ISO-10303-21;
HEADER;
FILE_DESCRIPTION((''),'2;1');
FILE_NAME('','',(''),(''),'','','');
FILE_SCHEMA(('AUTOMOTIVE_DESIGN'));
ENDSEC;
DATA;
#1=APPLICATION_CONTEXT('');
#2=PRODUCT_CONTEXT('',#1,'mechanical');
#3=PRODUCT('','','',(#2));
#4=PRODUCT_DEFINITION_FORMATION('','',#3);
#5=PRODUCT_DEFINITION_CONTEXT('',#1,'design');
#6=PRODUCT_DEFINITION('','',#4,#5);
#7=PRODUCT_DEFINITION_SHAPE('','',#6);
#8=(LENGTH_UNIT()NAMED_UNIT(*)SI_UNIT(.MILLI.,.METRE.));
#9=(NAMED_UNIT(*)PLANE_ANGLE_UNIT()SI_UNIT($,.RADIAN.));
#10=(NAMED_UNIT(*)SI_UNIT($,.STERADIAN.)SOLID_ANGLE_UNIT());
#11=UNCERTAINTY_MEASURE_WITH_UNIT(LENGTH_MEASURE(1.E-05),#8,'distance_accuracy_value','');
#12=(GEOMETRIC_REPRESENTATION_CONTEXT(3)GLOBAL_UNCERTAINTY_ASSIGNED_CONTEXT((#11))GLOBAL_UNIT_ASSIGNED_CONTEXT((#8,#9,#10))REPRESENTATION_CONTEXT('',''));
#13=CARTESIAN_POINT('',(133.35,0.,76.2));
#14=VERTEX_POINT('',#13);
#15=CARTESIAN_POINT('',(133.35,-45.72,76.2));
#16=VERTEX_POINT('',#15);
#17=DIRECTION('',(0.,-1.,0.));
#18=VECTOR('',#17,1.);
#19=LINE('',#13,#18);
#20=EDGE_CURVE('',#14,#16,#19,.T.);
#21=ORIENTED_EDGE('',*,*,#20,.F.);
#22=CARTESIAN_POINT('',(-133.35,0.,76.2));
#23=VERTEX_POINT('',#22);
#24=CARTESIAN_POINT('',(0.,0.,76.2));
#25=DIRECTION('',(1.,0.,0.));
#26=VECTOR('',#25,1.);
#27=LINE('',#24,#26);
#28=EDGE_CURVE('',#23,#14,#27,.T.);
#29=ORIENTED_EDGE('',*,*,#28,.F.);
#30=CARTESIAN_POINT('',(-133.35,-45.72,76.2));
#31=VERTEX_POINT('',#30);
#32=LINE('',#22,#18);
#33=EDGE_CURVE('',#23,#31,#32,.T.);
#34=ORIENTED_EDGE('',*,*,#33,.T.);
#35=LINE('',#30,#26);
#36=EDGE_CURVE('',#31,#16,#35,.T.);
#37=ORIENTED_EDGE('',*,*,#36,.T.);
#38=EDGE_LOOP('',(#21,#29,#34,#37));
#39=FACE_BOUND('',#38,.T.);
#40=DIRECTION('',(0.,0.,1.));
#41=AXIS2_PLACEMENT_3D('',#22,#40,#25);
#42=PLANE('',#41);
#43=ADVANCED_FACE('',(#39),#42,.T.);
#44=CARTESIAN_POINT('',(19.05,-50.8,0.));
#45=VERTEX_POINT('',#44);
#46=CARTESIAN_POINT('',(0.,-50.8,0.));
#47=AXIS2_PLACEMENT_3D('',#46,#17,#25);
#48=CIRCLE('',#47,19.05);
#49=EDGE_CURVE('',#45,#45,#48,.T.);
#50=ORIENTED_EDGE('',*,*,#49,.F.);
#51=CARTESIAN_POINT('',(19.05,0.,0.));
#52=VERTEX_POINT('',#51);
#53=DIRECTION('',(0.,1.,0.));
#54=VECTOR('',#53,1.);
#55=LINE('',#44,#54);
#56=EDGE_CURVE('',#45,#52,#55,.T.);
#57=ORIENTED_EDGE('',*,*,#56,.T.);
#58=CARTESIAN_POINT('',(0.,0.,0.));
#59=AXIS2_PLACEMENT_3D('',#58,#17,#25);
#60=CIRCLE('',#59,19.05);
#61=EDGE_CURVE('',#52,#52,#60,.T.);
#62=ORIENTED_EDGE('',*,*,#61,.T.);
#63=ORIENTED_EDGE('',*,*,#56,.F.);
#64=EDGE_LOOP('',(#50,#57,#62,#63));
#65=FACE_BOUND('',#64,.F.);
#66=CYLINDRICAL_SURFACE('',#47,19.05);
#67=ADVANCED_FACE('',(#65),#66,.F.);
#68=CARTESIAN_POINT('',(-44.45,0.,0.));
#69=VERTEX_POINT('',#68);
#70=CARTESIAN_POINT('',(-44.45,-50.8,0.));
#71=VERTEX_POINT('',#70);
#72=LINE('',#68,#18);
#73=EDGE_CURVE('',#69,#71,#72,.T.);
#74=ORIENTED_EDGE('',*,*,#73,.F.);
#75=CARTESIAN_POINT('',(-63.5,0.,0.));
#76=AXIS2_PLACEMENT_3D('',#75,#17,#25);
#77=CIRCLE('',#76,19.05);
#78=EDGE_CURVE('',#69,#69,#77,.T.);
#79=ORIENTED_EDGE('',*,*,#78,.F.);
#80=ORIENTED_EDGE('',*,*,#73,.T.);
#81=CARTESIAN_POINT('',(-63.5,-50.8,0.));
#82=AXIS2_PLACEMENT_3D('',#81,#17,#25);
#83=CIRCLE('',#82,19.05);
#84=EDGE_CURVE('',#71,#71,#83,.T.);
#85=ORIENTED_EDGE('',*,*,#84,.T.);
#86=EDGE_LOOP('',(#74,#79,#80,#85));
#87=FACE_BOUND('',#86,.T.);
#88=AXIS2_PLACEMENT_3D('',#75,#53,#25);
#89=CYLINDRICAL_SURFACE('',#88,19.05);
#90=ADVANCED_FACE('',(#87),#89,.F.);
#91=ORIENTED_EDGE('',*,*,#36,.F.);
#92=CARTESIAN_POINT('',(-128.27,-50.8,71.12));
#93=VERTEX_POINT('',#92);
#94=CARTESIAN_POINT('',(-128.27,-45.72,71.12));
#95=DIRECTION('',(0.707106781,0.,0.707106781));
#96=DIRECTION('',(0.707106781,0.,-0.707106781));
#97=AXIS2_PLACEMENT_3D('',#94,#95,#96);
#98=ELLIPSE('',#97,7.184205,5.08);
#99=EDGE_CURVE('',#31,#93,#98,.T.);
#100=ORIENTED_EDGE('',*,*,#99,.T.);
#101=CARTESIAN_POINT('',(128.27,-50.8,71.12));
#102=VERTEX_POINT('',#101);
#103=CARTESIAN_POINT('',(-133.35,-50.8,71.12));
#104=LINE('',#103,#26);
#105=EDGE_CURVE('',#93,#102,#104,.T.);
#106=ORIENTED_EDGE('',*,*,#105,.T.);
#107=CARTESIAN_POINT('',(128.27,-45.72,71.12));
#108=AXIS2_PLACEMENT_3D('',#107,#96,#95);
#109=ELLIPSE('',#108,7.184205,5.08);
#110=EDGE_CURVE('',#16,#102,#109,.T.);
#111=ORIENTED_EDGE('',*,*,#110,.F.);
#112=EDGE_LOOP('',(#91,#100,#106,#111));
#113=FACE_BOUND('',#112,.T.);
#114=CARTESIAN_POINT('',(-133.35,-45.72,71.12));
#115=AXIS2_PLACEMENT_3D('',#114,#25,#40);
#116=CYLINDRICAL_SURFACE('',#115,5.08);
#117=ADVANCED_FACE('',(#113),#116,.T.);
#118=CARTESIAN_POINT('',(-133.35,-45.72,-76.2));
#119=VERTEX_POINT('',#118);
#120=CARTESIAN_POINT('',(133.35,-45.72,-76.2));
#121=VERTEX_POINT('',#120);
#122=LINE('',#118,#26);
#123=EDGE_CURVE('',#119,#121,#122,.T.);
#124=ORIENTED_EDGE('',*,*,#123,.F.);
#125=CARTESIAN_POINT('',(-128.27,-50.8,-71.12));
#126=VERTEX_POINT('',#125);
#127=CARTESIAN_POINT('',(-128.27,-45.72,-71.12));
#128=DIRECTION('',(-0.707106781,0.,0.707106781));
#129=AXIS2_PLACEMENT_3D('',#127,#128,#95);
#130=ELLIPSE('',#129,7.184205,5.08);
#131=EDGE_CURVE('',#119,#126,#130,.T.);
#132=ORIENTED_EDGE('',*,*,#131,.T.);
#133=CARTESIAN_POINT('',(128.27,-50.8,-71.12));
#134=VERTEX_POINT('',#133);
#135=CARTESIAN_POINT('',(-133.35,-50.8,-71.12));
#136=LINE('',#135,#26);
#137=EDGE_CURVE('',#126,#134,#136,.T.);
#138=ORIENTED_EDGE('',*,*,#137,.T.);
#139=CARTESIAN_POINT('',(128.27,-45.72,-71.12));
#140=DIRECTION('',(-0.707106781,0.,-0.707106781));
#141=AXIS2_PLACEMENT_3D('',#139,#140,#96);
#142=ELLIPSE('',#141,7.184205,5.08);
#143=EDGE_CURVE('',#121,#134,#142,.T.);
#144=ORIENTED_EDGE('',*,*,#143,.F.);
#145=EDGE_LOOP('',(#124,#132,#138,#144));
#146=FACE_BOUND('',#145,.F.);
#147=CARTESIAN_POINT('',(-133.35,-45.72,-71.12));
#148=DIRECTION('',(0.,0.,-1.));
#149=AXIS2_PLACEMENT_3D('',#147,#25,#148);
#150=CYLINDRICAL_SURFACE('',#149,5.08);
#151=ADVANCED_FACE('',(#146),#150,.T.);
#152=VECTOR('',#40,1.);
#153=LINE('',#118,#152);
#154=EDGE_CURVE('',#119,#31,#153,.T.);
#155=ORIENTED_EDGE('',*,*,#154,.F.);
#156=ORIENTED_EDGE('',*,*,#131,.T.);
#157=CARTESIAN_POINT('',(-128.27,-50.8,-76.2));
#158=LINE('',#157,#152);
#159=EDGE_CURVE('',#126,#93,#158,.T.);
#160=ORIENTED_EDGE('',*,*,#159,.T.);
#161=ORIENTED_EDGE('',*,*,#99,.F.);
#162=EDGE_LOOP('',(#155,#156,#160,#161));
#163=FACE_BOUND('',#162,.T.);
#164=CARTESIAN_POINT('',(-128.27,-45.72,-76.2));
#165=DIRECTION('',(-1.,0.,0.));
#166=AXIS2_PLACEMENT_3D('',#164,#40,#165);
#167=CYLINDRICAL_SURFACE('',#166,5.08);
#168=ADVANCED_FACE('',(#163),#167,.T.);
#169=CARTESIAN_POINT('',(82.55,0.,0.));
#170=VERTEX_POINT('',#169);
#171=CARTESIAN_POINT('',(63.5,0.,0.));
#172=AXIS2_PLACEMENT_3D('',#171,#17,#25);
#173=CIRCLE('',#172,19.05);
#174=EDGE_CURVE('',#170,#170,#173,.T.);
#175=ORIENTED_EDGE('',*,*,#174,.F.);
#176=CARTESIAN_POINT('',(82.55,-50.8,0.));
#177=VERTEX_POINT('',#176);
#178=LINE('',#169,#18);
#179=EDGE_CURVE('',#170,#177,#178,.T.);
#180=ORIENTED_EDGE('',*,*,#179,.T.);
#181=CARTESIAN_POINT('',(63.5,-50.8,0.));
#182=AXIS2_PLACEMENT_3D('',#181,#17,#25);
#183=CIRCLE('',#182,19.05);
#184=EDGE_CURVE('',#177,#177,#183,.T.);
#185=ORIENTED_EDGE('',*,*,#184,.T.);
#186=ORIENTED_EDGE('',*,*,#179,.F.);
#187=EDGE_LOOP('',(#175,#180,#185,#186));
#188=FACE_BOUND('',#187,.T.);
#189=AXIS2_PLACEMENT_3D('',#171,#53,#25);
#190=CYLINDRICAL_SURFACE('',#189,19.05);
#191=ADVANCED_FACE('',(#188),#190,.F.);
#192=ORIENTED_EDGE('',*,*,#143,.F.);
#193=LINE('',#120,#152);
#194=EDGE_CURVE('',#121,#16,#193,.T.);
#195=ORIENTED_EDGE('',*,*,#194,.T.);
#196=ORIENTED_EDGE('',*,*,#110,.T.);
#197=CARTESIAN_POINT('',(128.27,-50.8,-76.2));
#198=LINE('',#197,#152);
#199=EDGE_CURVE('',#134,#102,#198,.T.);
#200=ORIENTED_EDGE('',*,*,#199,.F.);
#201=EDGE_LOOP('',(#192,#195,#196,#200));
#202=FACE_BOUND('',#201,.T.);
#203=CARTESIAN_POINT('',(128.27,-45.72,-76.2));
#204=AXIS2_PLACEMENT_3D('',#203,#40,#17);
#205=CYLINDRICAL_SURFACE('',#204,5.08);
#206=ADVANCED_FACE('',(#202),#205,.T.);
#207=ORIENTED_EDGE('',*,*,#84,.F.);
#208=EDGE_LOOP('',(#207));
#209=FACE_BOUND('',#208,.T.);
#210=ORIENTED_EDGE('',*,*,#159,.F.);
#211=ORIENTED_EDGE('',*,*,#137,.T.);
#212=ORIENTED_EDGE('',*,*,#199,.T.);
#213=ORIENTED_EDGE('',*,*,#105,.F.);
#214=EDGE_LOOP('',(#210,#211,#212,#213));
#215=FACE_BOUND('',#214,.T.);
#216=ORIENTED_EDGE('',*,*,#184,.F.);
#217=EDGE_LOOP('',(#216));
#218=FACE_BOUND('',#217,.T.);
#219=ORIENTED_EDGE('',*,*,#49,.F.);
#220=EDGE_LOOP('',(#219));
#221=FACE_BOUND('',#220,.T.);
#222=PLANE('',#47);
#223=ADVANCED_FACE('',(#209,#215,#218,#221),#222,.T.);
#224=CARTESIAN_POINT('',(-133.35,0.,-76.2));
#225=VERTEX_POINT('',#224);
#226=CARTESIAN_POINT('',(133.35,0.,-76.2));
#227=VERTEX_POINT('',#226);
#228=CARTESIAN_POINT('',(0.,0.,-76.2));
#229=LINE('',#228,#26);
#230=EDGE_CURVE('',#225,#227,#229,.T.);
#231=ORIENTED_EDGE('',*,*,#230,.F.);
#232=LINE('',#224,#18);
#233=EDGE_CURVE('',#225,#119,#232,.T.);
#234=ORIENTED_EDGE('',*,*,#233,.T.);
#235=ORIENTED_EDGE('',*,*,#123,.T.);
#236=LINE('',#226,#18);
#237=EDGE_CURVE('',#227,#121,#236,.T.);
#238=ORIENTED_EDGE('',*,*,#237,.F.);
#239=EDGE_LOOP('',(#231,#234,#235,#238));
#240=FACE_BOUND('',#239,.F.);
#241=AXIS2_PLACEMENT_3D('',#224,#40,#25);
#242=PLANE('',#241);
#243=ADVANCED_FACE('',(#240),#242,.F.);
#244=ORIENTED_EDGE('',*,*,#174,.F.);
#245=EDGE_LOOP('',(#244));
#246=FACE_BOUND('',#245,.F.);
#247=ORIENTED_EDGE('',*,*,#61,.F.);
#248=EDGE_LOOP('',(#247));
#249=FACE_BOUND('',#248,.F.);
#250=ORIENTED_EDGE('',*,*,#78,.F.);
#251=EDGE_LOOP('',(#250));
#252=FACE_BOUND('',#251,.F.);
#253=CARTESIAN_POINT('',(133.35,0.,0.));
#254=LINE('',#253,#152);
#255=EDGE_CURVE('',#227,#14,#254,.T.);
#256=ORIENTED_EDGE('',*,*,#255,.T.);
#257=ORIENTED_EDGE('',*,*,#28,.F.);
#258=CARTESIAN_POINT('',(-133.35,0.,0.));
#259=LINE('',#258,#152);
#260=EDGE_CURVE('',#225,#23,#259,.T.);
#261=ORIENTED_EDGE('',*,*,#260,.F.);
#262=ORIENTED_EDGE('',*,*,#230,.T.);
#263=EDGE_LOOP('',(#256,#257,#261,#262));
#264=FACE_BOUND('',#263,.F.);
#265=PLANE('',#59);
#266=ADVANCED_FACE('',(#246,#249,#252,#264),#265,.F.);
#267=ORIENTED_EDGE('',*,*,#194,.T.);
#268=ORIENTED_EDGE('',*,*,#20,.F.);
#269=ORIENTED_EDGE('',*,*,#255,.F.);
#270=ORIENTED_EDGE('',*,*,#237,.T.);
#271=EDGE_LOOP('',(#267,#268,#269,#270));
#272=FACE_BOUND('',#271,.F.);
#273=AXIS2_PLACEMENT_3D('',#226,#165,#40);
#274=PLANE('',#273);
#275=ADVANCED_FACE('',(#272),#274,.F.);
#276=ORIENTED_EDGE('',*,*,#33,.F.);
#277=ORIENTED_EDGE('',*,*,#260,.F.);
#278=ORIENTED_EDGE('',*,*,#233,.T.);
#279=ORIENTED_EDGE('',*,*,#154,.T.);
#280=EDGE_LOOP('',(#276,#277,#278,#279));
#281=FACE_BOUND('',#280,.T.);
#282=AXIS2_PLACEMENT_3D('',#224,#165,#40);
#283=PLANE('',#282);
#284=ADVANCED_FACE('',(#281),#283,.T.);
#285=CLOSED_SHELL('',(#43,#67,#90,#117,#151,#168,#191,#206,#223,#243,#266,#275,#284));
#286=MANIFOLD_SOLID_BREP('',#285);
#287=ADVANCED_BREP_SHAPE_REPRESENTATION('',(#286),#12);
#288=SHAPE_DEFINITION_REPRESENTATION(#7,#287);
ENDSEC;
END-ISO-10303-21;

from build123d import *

# Parameters (mm, degrees)
F0_W     = 266.7
F0_H     = 152.4
F1_DEPTH = 50.8
F2_R     = 19.05
F3_DEPTH = 76.2
F4_R     = 19.05
F5_DEPTH = 50.8
F6_R     = 19.05
F7_DEPTH = 50.8
F8_R     = 5.08


with BuildPart() as f1:
    # F0 (on Front) → F1 (new body)
    with BuildSketch(Plane.XZ):
        Rectangle(F0_W, F0_H)
    extrude(amount=F1_DEPTH)

    # F2 (on face) → F3 (cut)
    with BuildSketch(Plane.XZ.offset(50.8)):
        Circle(F2_R)
    extrude(amount=-F3_DEPTH, mode=Mode.SUBTRACT)

    # F4 (on Front) → F5 (cut)
    with BuildSketch(Plane.XZ):
        with Locations((-63.5, 0)):
            Circle(F4_R)
    extrude(amount=F5_DEPTH, mode=Mode.SUBTRACT)

    # F6 (on Front) → F7 (cut)
    with BuildSketch(Plane.XZ):
        with Locations((63.5, 0)):
            Circle(F6_R)
    extrude(amount=F7_DEPTH, mode=Mode.SUBTRACT)

    # F8
    f8_edges = [f1.edges().sort_by_distance(p)[0] for p in [
        (0, -50.8, 76.2),
        (-133.35, -50.8, 0),
        (0, -50.8, -76.2),
        (133.35, -50.8, 0),
    ]]
    fillet(f8_edges, radius=F8_R)


solid = f1.part
